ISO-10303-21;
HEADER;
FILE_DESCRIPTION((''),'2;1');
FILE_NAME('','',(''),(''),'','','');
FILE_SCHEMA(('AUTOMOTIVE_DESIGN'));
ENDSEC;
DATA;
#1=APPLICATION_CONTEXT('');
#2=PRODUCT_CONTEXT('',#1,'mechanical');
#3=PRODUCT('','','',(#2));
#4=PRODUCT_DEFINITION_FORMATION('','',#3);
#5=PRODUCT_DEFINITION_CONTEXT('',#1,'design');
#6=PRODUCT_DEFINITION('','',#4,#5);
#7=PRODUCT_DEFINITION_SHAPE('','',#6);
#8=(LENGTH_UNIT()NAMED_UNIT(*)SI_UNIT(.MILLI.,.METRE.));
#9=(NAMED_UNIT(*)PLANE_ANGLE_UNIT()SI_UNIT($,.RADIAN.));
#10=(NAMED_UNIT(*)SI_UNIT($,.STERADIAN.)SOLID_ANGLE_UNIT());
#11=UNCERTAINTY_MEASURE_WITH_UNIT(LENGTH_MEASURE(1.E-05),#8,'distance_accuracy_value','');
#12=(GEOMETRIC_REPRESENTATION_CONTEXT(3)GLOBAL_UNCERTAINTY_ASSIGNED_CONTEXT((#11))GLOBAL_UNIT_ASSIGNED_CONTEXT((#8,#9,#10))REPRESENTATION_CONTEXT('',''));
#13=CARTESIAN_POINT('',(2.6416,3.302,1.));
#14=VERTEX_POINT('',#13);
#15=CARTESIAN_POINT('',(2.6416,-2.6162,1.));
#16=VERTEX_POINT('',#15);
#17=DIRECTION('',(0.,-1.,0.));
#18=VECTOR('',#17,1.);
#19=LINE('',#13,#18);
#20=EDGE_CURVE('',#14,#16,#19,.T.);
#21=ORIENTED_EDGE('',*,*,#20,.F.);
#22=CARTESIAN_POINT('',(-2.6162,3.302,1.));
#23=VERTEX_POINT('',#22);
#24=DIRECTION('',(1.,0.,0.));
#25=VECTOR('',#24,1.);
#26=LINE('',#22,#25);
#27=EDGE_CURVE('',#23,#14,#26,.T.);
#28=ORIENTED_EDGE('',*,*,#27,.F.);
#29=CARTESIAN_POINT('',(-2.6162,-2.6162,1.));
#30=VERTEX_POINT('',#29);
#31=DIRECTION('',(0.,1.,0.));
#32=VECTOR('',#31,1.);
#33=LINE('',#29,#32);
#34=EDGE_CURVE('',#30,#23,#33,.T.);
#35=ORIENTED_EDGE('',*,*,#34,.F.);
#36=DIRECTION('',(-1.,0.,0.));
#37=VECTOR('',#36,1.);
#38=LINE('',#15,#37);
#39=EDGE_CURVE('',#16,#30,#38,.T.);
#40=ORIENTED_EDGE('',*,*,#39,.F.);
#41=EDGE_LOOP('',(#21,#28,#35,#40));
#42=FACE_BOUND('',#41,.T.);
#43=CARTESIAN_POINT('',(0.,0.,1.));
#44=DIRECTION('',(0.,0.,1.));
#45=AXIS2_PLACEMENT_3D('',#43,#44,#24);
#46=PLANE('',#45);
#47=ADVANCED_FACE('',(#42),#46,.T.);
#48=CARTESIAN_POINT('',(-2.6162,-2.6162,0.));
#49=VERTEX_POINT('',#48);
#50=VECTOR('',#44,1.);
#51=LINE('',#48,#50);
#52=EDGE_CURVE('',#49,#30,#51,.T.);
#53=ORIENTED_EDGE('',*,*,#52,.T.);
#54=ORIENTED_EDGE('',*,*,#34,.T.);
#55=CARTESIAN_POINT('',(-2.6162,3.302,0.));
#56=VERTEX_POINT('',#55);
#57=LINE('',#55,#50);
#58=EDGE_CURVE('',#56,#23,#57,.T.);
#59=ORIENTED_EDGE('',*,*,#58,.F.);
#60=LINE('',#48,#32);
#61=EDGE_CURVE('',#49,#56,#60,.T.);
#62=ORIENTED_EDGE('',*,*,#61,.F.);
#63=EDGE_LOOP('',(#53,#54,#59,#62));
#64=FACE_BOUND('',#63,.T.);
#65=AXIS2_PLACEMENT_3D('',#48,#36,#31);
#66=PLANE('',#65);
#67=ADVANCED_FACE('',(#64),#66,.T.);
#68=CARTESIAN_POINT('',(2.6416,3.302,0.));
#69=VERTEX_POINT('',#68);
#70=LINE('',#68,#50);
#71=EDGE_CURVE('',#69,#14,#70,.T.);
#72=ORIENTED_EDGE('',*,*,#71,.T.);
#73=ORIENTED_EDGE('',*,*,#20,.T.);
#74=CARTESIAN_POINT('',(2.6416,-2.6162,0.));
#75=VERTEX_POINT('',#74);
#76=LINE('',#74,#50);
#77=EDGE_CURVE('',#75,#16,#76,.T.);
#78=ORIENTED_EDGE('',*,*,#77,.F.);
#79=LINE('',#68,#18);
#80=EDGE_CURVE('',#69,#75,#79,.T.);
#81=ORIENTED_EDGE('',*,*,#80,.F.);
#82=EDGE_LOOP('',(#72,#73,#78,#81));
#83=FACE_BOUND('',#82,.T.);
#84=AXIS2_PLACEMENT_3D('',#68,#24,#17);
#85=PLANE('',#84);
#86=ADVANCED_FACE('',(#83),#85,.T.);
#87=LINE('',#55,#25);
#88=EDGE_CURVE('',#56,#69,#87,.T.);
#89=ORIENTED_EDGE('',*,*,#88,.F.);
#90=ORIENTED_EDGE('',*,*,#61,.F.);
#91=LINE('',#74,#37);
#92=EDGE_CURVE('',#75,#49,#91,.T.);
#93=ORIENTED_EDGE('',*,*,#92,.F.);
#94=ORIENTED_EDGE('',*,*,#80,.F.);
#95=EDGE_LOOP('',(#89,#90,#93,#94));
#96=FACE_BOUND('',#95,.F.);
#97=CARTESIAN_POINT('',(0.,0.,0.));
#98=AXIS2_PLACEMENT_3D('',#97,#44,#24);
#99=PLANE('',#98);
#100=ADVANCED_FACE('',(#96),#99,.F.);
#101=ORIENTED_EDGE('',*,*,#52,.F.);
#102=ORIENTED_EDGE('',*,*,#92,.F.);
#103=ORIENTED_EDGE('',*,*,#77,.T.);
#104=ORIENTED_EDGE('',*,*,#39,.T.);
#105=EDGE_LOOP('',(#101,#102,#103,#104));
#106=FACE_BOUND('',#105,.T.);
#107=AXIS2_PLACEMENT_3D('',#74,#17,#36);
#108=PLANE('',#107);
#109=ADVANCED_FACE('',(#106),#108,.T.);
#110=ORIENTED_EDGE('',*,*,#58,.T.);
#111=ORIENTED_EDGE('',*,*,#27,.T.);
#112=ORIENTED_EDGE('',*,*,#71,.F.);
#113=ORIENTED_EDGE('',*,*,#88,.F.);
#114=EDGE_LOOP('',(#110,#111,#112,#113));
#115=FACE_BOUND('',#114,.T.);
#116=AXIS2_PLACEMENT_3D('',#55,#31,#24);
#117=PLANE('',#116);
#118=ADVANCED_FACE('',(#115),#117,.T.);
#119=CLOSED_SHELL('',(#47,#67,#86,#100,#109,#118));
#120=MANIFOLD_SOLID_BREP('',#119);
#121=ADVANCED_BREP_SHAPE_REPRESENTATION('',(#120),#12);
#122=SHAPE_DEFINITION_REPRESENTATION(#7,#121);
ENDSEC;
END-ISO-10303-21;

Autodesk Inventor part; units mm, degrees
ref_plane "YZ Plane" through (0, 0, 0) normal (1, 0, 0) x (0, 1, 0)
ref_plane "XZ Plane" through (0, 0, 0) normal (0, 1, 0) x (-1, 0, 0)
ref_plane "XY Plane" through (0, 0, 0) normal (0, 0, 1) x (1, 0, 0)
sketch "LED5MM, LED5MM_8" plane through (0, 0, 0) normal (0, 0, 1) x (1, 0, 0)
  line L0 (-2.6162, 3.302) -> (2.6416, 3.302)
  line L1 (2.6416, 3.302) -> (2.6416, -2.6162)
  line L2 (2.6416, -2.6162) -> (-2.6162, -2.6162)
  line L3 (-2.6162, -2.6162) -> (-2.6162, 3.302)
extrude "Выдавливание1" add sketch "LED5MM, LED5MM_8" along normal blind 1
properties part number "LED5MM"
